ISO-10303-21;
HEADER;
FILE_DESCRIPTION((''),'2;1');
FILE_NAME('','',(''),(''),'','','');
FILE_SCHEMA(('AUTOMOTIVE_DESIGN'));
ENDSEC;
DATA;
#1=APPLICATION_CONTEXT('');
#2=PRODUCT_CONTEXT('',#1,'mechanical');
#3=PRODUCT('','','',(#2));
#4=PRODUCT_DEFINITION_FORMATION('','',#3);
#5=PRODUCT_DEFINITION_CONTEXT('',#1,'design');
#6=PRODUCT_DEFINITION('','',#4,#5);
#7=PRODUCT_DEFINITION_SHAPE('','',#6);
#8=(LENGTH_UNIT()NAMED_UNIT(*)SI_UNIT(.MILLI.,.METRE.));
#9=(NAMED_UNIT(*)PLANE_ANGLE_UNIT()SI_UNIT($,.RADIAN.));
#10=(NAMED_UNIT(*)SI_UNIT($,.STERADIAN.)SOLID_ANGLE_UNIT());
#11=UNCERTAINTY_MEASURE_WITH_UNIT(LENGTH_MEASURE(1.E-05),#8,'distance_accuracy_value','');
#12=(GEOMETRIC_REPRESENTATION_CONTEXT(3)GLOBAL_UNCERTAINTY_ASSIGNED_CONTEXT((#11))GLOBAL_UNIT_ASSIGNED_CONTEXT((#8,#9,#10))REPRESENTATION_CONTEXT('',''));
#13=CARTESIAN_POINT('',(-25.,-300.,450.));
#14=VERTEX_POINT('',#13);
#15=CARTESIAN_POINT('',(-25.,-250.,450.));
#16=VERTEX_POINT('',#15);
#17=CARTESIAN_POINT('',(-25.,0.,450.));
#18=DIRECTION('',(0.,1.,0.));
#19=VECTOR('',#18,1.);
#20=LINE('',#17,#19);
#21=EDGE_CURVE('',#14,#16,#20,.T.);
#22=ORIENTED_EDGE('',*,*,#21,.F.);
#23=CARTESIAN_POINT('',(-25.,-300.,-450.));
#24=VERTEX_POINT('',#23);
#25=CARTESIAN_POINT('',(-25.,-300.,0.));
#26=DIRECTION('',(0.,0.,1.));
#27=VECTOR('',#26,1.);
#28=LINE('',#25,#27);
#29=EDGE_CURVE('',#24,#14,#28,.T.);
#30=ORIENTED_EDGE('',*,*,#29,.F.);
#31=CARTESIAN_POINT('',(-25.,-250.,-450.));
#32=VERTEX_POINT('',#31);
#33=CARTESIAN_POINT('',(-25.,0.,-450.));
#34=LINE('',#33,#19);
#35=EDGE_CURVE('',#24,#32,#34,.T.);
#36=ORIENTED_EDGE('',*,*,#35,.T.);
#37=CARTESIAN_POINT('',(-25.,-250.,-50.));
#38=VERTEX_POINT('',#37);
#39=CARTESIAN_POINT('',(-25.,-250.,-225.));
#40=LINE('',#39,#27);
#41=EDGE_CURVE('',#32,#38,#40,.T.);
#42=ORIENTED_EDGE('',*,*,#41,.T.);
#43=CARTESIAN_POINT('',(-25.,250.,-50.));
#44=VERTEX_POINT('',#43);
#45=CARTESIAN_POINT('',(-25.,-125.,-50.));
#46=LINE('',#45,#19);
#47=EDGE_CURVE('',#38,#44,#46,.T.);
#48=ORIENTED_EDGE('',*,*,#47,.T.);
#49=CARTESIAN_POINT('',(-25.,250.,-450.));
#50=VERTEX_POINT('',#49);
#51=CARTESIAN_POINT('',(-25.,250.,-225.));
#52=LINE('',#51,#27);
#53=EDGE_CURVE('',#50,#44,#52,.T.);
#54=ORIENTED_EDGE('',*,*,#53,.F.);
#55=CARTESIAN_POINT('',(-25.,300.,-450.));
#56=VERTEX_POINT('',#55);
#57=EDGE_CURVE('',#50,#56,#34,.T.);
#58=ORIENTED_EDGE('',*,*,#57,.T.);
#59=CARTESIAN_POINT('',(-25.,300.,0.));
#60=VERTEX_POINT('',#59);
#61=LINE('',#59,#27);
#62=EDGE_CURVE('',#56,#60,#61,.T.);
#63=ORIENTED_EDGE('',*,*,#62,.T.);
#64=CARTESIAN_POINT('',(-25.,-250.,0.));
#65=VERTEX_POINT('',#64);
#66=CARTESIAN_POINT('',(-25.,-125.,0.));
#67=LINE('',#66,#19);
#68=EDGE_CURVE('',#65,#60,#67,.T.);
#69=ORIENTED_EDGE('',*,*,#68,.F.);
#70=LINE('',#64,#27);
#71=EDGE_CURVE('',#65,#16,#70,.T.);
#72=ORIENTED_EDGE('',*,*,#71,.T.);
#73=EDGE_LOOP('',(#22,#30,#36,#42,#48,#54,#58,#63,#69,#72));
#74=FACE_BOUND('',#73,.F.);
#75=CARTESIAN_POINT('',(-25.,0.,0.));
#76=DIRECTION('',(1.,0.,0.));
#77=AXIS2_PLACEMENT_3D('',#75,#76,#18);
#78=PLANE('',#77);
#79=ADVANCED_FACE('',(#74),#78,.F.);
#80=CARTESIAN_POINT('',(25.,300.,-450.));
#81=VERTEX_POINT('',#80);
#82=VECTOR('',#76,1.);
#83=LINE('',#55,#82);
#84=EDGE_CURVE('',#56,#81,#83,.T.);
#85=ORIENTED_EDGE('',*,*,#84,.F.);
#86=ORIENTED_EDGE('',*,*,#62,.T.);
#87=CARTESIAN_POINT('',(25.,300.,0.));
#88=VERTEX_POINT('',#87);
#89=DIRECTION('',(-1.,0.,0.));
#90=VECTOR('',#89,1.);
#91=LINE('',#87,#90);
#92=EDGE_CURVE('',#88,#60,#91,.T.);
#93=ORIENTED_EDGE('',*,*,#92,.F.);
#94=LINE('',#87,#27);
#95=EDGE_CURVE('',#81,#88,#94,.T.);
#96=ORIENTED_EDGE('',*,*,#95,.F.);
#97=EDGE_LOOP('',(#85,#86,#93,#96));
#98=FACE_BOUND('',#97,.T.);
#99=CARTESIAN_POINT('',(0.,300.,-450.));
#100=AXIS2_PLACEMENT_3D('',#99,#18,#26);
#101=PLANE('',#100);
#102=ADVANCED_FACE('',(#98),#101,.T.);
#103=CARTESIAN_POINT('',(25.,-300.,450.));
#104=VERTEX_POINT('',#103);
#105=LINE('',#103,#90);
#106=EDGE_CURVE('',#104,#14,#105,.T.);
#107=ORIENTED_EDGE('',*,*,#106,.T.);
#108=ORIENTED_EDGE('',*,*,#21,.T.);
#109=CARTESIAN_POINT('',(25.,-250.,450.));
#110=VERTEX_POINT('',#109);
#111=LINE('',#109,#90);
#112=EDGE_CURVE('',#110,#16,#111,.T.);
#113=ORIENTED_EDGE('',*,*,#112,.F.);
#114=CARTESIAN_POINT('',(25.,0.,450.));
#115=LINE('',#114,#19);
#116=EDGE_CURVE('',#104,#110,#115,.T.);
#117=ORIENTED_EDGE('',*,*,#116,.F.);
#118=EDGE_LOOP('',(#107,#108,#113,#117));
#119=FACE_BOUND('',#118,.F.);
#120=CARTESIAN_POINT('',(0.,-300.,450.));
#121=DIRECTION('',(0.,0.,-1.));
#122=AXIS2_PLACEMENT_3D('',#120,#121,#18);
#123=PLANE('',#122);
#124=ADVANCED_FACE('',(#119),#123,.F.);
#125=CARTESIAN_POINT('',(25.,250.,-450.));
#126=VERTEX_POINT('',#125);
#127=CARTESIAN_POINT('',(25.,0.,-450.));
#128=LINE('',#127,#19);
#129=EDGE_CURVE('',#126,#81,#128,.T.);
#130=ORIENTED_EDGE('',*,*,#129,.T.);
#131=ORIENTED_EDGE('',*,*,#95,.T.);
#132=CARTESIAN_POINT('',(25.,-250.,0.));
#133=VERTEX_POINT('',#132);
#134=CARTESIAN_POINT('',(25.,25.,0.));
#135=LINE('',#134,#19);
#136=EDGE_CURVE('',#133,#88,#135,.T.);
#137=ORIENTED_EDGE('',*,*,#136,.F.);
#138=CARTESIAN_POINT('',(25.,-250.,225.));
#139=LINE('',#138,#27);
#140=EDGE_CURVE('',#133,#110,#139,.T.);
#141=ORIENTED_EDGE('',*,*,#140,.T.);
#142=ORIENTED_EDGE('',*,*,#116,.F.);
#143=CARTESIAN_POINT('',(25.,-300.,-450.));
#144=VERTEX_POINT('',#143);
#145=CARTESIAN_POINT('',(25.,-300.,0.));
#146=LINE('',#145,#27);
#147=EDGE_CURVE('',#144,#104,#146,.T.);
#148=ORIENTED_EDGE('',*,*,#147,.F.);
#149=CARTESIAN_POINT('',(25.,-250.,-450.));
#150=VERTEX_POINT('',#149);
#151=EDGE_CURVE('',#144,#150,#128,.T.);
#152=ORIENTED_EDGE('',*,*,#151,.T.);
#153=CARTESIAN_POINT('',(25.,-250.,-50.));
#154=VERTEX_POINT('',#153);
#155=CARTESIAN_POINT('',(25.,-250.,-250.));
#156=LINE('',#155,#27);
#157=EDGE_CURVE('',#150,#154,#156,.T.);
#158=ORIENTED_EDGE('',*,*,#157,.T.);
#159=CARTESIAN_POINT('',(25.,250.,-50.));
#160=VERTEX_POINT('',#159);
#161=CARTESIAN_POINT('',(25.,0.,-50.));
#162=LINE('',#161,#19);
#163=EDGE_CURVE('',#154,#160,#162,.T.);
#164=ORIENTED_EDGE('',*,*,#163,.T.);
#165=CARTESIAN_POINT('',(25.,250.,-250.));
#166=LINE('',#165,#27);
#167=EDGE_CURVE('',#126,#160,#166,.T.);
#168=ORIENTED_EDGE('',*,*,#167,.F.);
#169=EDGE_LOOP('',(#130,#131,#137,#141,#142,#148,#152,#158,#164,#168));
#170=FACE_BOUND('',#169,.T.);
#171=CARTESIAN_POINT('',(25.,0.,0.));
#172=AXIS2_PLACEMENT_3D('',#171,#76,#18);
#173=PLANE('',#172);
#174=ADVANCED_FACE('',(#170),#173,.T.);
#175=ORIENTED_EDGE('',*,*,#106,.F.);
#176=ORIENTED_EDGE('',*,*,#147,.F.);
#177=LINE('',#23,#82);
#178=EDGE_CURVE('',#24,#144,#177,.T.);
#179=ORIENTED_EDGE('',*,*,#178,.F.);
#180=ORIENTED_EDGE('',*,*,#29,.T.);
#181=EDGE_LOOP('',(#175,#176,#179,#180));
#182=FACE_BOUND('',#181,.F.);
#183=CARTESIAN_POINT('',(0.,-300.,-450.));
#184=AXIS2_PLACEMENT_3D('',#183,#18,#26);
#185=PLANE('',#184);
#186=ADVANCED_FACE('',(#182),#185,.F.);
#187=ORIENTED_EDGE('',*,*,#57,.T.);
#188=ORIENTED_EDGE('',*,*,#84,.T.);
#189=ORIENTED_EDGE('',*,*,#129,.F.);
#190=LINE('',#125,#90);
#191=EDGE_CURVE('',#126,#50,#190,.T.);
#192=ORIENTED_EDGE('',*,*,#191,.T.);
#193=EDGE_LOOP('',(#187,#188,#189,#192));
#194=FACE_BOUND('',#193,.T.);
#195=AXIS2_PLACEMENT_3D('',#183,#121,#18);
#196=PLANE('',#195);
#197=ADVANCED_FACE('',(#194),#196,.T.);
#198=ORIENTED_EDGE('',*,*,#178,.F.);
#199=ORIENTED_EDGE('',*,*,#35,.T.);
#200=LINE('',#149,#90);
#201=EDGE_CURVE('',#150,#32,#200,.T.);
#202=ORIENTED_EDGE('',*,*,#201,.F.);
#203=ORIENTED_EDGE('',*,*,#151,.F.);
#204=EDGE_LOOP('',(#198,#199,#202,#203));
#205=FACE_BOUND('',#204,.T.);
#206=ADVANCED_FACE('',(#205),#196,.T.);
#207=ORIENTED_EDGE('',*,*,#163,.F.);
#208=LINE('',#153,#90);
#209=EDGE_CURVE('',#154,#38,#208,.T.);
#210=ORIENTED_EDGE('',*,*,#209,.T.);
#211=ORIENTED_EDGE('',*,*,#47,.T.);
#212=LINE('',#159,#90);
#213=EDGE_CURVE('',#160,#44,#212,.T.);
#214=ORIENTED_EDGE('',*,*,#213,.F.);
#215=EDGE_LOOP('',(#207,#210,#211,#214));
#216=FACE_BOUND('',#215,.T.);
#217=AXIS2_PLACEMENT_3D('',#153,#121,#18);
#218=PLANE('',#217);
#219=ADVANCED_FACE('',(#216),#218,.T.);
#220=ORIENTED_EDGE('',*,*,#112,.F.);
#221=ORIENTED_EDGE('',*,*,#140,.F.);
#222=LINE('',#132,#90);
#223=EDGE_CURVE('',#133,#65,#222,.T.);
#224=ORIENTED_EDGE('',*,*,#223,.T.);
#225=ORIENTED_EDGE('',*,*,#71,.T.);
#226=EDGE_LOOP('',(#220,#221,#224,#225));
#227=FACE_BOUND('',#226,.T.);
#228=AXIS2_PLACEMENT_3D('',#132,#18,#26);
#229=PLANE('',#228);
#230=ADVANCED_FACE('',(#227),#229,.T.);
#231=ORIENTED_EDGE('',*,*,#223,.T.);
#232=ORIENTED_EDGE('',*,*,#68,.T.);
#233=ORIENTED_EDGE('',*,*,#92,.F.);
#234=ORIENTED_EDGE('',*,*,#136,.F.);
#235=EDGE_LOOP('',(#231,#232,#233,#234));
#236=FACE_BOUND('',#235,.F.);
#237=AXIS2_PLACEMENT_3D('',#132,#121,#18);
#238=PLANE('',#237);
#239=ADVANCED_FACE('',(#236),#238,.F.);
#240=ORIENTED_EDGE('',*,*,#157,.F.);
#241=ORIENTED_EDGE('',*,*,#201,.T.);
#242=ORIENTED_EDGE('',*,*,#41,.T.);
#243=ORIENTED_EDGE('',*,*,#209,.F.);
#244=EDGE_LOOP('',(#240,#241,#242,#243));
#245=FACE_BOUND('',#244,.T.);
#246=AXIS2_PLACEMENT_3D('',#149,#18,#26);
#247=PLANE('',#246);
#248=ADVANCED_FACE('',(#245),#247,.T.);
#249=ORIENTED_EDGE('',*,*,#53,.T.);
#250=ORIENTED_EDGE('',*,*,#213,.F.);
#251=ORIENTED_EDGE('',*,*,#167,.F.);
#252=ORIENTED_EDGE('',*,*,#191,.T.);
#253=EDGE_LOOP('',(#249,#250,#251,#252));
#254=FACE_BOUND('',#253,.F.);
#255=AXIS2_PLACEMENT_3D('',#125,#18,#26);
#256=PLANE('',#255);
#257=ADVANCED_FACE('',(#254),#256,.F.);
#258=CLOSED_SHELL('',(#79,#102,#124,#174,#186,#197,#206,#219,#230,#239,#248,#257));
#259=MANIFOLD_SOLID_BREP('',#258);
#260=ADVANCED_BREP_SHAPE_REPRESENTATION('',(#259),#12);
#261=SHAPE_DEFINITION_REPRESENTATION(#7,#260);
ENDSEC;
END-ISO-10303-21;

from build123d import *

# Parameters (mm, degrees)
F0_W     = 600
F0_H     = 900
F1_DEPTH = 25
F2_W     = 550
F2_H     = 450
F3_DEPTH = 50.001
F4_W     = 500
F4_H     = 400
F5_DEPTH = 50.001


with BuildPart() as f1:
    # F0 (on Right) → F1 (new body, symmetric)
    with BuildSketch(Plane.YZ):
        Rectangle(F0_W, F0_H)
    extrude(amount=F1_DEPTH, both=True)

    # F2 (on face) → F3 (cut, through all)
    with BuildSketch(Plane.YZ.offset(25)):
        with Locations((25, 225)):
            Rectangle(F2_W, F2_H)
    extrude(amount=-F3_DEPTH, mode=Mode.SUBTRACT)

    # F4 (on face) → F5 (cut, through all)
    with BuildSketch(Plane.YZ.offset(25)):
        with Locations((0, -250)):
            Rectangle(F4_W, F4_H)
    extrude(amount=-F5_DEPTH, mode=Mode.SUBTRACT)


solid = f1.part
